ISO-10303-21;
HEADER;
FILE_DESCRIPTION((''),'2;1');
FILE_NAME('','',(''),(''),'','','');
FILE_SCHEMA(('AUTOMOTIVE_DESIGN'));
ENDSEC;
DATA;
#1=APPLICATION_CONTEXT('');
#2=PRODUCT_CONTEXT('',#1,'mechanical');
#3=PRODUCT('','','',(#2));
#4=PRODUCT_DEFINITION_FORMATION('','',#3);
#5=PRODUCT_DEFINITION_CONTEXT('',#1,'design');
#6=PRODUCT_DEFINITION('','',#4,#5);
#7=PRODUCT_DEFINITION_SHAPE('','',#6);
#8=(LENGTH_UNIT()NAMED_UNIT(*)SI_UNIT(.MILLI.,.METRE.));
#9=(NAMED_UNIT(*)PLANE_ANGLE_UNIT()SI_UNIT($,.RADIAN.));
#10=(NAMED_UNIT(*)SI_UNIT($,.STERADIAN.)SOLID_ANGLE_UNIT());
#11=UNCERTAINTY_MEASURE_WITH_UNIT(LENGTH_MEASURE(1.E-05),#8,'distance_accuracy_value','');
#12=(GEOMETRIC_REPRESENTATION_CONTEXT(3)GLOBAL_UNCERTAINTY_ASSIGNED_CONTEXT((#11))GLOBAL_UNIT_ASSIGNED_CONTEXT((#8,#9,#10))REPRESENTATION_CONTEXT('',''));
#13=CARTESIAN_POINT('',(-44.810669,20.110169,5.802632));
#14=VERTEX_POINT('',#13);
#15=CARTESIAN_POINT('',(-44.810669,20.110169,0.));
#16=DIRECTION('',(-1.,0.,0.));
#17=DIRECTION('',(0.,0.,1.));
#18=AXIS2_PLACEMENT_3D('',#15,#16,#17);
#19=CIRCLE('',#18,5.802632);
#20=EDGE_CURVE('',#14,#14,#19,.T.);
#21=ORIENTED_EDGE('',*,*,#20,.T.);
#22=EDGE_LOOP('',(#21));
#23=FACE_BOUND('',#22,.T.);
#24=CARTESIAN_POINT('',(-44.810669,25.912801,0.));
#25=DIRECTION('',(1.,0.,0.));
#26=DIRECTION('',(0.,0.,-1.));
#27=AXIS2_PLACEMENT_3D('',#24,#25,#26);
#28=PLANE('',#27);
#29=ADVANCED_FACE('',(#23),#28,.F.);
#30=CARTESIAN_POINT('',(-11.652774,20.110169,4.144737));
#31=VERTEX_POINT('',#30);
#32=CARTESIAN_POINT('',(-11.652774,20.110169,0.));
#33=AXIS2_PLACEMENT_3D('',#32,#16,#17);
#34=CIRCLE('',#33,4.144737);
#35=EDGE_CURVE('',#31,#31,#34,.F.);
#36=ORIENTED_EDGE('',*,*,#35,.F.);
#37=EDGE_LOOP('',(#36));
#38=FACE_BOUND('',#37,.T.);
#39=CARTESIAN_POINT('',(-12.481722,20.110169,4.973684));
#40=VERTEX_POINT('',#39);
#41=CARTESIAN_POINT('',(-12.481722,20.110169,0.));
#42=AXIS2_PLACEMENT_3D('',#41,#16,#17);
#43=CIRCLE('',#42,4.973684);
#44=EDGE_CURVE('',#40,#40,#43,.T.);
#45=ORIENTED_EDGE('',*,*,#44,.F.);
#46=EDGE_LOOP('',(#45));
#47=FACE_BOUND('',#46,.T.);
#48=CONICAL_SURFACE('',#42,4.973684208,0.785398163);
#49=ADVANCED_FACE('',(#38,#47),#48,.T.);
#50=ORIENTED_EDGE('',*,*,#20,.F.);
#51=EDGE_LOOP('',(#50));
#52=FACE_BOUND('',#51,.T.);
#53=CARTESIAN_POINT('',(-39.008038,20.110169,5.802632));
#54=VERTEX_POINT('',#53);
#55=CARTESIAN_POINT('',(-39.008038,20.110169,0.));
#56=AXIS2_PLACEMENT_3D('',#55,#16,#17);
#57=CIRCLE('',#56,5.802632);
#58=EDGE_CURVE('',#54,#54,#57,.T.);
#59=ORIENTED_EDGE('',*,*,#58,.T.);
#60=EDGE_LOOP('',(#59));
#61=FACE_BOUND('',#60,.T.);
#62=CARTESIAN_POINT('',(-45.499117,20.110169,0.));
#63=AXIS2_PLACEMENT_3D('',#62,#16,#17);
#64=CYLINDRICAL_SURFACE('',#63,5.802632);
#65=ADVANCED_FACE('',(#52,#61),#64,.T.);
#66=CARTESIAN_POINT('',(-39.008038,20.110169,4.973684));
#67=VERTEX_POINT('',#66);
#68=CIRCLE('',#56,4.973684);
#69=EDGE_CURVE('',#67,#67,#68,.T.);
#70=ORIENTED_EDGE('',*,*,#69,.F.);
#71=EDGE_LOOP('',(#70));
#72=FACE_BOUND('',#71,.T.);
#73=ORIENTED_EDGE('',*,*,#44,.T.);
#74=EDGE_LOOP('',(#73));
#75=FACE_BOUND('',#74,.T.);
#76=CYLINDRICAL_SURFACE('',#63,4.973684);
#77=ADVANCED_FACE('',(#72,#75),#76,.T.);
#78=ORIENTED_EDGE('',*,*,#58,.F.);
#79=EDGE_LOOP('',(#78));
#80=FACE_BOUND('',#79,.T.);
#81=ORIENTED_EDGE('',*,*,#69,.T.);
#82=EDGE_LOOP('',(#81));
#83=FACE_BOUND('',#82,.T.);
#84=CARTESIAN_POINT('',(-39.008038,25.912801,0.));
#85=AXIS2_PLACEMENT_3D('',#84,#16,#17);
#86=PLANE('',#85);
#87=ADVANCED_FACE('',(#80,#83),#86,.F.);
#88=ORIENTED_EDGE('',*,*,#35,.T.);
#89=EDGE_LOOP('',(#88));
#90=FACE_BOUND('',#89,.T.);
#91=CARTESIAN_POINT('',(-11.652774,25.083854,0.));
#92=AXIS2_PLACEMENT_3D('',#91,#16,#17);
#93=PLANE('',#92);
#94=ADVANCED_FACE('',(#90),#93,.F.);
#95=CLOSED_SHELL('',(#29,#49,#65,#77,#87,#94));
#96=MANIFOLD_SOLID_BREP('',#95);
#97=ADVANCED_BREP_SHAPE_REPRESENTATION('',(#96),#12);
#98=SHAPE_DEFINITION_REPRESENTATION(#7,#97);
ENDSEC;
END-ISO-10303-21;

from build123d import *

# Parameters (mm, degrees)
CHAMFER1_SIZE = 1
SCALE1_SCALE  = 0.828947368


with BuildPart() as part:
    # Sketch1 → Revolve1 (revolve)
    with BuildSketch(Plane.XY, mode=Mode.PRIVATE) as revolve1_sk:
        Polygon((-41.050847458, 26.110169492), (-8.050847458, 26.110169492), (-8.050847458, 20.110169492), (-41.050847458, 20.110169492), (-48.050847458, 20.110169492), (-48.050847458, 27.110169492), (-41.050847458, 27.110169492), align=None)
    revolve(revolve1_sk.sketch.rotate(Axis((-48.881355932, 20.110169492, 0), (1, 0, 0)), 90), axis=Axis((-48.881355932, 20.110169492, 0), (1, 0, 0)))

    # Chamfer1
    chamfer1_edges = [part.edges().sort_by_distance(p)[0] for p in [
        (-8.050847458, 20.110169492, -6),
    ]]
    chamfer(chamfer1_edges, length=CHAMFER1_SIZE)


with BuildPart() as part_1:
    # Scale1: scaled about (-29.108266601, 20.110169492, 0)
    add(part.part.scale(SCALE1_SCALE).moved(Location((-4.979045615, 3.439897422, 0))))


solid = part_1.part
